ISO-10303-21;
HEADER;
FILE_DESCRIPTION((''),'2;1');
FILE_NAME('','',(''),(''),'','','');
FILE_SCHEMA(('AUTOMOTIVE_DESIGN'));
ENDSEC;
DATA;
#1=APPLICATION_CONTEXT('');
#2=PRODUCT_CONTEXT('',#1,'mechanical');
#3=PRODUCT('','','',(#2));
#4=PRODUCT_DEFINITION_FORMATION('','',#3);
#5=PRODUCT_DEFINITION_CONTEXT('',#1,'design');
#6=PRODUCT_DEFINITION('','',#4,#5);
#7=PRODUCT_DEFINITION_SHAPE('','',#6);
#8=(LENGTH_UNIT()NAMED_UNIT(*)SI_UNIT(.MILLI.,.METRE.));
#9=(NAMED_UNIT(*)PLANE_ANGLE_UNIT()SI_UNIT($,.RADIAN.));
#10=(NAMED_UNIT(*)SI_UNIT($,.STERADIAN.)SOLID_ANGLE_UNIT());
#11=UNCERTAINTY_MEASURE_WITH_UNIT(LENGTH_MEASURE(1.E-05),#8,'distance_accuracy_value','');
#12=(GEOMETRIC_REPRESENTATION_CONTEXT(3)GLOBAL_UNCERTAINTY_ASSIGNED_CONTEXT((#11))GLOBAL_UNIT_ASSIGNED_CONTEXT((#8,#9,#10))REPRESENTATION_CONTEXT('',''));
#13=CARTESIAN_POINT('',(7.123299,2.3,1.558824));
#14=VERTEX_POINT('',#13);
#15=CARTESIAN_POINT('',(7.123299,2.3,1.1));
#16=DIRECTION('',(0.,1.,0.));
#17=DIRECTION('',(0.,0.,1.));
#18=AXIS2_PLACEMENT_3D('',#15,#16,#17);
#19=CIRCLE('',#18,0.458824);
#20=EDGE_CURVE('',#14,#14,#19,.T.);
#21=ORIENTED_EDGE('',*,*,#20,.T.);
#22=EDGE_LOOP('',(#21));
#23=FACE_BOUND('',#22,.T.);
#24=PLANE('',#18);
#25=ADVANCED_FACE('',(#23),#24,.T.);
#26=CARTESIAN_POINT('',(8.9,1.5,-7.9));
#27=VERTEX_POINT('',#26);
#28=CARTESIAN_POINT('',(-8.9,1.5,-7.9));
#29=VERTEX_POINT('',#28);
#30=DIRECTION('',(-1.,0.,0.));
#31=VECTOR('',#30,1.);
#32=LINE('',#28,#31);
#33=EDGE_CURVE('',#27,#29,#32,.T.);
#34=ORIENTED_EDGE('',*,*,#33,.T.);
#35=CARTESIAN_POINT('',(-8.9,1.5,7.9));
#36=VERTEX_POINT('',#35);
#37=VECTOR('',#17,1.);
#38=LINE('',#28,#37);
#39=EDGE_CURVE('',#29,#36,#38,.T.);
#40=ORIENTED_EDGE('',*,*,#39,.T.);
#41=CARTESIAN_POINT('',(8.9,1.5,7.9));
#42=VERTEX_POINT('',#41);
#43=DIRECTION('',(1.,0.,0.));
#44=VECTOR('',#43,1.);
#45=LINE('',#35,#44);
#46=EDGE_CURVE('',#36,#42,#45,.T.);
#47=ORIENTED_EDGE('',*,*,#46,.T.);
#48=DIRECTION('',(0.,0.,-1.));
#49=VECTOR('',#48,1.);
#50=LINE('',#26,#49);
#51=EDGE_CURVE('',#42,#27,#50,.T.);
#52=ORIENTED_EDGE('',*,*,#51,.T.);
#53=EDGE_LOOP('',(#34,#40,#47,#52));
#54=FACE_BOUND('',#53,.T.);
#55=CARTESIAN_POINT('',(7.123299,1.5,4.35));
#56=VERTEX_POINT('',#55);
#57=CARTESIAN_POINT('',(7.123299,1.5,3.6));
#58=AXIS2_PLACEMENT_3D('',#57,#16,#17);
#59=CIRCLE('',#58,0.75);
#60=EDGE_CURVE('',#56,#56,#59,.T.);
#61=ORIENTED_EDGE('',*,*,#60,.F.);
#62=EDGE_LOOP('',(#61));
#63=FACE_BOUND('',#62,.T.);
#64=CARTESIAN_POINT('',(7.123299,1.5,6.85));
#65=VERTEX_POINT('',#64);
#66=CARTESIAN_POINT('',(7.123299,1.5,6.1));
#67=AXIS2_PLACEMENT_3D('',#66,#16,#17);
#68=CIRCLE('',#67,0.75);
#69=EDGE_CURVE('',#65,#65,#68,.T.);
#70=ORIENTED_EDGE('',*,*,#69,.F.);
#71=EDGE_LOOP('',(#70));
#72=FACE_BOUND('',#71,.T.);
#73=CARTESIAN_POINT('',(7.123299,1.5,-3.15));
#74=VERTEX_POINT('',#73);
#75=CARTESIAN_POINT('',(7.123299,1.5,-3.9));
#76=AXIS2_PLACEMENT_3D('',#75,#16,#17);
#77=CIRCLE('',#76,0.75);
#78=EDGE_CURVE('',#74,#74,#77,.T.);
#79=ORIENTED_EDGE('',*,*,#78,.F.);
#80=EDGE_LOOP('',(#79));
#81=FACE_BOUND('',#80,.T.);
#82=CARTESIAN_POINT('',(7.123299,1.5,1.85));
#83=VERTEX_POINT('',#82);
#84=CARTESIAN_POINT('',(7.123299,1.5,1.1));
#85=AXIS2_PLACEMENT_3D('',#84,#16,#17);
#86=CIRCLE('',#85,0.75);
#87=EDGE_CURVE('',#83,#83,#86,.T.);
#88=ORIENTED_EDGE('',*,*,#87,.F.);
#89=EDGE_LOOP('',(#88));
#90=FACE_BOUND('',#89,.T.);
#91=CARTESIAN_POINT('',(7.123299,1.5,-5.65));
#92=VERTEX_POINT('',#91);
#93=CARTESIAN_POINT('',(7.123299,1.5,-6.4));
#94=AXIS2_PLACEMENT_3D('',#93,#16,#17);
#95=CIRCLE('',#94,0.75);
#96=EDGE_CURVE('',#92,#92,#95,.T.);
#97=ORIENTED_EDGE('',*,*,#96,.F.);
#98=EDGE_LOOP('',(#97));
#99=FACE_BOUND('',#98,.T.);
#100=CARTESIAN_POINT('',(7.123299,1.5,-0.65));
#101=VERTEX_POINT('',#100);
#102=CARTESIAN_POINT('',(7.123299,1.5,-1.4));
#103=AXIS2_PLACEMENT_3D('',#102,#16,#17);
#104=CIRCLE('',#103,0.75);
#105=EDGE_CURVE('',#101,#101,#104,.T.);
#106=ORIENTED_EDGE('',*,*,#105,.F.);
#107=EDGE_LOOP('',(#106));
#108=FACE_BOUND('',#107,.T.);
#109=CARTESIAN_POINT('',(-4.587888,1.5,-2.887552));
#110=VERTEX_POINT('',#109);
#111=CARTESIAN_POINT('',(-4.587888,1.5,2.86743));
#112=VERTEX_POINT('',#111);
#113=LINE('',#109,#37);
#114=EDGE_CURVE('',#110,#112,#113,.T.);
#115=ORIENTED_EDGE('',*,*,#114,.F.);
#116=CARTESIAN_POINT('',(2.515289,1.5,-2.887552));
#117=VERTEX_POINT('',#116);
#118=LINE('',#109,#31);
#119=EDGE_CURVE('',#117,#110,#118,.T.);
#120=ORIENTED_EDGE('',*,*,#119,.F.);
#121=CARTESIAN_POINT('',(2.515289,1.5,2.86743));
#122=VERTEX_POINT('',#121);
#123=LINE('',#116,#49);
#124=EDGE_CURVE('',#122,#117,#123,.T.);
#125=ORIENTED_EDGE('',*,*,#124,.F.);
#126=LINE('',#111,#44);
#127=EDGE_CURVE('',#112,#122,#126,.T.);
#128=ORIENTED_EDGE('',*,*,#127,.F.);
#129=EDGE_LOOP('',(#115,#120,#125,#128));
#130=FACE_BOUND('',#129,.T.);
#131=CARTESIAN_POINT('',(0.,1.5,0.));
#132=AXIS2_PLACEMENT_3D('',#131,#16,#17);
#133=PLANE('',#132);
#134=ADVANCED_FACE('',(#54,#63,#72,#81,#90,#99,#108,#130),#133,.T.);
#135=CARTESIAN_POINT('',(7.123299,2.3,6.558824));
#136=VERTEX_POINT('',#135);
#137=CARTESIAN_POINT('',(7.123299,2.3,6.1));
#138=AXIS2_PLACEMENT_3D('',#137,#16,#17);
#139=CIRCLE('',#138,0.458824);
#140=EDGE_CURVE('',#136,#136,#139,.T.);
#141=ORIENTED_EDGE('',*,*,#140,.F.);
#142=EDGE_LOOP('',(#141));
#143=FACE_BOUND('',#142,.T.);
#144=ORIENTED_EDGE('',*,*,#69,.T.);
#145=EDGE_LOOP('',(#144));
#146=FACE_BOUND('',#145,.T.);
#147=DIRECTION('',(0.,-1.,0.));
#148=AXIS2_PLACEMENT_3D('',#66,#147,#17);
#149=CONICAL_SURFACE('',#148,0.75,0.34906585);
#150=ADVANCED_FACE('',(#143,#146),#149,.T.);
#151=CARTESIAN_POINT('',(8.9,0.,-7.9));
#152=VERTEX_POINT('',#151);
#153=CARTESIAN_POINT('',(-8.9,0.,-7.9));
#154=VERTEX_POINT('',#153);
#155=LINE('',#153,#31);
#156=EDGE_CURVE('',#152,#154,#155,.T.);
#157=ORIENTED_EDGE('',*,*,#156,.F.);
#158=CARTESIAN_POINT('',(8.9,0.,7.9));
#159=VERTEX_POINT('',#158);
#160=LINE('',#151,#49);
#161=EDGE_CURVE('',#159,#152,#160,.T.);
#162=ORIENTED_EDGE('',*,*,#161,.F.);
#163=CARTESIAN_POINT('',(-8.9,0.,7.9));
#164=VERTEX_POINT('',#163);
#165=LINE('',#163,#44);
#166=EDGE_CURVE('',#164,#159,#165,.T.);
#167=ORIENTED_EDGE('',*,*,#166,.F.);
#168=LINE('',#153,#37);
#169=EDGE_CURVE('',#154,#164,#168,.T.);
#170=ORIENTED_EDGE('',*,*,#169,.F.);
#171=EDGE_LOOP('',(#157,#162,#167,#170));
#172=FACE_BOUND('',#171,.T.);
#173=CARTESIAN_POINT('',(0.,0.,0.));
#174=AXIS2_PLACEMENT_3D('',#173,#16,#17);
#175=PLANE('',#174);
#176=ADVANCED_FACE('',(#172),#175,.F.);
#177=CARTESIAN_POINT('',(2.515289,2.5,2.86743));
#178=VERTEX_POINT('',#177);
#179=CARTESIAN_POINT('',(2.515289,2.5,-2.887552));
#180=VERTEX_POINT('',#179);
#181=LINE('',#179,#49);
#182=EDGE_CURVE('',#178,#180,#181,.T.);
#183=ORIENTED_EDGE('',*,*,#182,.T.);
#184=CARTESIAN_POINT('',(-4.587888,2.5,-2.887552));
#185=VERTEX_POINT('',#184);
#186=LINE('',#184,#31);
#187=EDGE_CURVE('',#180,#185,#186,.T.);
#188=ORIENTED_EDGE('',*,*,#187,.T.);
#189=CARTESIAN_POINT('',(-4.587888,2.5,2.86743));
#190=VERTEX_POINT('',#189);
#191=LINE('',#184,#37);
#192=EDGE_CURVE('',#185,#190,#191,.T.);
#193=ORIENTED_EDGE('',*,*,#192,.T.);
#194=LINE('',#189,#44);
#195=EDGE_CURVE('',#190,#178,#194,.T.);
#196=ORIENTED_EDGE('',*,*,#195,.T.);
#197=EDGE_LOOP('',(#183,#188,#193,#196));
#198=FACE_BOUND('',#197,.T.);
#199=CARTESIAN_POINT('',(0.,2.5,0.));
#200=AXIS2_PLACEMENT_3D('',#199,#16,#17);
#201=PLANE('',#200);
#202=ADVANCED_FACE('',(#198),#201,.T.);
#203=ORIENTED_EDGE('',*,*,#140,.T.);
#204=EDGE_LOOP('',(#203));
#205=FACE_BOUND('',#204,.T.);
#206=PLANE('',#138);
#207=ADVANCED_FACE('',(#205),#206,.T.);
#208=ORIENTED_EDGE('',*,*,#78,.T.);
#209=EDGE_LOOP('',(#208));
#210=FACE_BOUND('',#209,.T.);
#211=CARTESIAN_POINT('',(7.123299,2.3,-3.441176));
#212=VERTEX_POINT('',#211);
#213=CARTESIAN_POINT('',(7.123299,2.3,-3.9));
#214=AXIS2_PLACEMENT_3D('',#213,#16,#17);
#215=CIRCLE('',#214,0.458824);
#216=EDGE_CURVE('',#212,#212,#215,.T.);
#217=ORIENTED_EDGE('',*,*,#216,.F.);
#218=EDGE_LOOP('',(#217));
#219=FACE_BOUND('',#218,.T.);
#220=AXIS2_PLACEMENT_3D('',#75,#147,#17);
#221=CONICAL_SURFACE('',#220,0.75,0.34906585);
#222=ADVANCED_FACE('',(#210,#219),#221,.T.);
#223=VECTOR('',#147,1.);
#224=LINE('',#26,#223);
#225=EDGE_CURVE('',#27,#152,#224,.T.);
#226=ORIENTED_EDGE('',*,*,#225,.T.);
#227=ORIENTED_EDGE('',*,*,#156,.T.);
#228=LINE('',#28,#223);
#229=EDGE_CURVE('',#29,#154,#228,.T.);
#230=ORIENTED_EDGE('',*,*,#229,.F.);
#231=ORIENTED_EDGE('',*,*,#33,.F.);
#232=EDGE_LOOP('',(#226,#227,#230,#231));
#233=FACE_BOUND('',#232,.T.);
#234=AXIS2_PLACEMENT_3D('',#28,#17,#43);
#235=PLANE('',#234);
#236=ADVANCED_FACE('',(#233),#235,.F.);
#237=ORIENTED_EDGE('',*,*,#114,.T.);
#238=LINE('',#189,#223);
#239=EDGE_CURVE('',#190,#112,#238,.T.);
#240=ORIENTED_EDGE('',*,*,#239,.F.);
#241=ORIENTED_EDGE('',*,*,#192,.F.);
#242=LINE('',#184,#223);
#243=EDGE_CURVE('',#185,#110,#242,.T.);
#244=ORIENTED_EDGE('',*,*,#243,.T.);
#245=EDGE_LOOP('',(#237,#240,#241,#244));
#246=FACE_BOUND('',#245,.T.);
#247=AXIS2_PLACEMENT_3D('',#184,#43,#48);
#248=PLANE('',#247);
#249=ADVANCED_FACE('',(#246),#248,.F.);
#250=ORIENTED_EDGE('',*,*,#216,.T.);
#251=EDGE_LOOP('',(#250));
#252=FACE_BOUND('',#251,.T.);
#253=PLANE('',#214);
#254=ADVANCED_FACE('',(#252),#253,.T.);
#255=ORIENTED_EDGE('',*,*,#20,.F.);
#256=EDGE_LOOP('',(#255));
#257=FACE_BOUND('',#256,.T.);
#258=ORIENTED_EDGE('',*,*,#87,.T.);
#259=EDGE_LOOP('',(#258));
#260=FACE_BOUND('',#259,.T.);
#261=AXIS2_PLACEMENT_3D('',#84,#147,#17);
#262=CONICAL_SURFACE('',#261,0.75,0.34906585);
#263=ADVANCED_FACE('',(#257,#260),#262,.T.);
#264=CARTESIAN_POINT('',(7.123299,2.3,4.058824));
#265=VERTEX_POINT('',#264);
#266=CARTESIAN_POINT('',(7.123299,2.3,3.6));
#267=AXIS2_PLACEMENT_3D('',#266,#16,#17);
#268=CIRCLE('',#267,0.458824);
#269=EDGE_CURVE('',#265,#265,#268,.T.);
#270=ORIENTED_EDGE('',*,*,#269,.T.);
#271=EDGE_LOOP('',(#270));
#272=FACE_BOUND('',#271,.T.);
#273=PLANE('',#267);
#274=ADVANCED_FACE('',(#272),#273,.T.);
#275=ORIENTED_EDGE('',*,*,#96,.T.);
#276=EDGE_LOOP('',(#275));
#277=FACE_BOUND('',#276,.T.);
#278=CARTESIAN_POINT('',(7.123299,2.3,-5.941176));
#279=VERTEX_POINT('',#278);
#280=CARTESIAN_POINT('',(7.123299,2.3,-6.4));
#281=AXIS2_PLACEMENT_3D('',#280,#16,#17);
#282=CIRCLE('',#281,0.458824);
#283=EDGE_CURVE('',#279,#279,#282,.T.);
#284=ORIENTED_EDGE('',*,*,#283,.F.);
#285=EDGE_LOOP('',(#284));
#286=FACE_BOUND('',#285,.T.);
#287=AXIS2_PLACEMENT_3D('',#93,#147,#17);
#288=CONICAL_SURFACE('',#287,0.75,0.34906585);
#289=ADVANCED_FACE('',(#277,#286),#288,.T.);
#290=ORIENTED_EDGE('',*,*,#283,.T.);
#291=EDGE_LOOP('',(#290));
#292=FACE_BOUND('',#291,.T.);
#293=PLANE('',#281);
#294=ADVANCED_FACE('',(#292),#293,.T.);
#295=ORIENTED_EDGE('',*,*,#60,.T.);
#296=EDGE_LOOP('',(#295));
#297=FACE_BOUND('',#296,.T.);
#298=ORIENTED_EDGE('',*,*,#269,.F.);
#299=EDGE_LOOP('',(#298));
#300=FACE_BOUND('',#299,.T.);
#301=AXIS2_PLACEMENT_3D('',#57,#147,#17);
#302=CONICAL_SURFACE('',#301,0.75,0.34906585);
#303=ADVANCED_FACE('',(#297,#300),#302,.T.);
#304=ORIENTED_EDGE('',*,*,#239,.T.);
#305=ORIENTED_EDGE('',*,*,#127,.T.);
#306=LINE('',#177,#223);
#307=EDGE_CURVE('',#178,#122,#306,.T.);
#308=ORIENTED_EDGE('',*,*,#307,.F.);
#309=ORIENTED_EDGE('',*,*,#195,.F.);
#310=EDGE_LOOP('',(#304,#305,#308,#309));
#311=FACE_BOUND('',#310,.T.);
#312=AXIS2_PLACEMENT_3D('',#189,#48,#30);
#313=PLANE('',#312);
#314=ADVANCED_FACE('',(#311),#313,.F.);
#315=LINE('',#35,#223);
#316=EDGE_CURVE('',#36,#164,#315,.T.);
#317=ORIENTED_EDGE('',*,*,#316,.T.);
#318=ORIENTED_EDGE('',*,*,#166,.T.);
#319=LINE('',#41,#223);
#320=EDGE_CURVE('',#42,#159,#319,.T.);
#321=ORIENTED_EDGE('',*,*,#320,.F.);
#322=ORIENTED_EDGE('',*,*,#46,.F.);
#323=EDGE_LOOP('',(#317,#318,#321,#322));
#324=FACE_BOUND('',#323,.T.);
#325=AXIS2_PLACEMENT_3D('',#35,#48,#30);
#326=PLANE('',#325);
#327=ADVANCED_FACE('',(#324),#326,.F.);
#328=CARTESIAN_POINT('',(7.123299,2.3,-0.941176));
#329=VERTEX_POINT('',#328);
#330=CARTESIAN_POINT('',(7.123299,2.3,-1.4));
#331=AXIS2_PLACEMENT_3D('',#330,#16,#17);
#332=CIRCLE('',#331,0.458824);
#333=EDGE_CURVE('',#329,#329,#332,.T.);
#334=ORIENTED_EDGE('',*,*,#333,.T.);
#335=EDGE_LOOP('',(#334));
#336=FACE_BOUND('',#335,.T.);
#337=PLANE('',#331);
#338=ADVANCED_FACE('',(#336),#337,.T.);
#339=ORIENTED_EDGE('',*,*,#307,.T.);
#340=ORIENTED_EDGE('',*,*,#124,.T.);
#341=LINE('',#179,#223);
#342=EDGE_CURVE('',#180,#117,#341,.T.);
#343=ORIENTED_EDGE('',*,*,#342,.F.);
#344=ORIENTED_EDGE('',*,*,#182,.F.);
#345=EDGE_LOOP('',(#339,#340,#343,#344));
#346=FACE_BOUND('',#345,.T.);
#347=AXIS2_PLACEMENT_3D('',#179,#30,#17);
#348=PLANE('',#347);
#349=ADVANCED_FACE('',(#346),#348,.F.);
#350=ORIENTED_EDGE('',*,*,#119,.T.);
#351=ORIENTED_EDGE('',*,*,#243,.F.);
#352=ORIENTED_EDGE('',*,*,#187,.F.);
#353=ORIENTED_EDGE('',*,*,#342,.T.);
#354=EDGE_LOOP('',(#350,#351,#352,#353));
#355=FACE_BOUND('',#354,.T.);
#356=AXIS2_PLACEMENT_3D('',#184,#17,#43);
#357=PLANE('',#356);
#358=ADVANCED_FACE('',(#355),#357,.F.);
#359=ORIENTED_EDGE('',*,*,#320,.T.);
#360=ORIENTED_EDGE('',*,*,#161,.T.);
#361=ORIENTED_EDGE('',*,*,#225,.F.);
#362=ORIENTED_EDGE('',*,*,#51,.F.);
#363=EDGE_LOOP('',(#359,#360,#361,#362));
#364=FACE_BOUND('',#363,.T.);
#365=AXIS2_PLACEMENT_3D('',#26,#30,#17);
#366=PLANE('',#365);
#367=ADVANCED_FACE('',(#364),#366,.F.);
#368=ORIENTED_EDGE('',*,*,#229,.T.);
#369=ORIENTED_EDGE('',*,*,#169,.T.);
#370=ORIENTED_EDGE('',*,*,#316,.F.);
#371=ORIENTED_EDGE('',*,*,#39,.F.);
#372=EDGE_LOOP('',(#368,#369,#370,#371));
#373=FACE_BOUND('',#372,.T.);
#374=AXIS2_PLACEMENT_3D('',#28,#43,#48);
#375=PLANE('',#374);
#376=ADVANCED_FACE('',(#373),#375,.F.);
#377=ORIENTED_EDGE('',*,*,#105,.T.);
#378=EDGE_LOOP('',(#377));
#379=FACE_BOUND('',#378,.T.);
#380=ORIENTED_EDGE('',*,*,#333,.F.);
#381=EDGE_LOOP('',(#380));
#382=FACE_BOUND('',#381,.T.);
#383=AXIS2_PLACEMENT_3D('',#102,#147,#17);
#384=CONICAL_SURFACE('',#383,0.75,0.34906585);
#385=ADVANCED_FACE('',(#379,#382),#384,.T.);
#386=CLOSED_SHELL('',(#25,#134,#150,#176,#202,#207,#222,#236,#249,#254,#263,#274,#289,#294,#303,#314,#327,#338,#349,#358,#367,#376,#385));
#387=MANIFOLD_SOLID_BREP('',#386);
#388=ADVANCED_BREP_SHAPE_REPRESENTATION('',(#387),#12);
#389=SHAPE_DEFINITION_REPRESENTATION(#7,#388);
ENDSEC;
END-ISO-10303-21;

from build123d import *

# Parameters (mm, degrees)
SKETCH1_W                     = 17.8
SKETCH1_H                     = 15.8
BOSS_EXTRUDE1_DEPTH           = 1.5
SKETCH2_W                     = 7.103176806
SKETCH2_H                     = 5.754981775
BOSS_EXTRUDE2_DEPTH           = 1
SKETCH3_R                     = 0.75
BOSS_EXTRUDE3_DEPTH           = 0.8
BOSS_EXTRUDE3_DRAFT           = 20
BOSS_EXTRUDE3_PROFILE_2_DEPTH = 0.8
BOSS_EXTRUDE3_PROFILE_2_DRAFT = 20
BOSS_EXTRUDE3_PROFILE_3_DEPTH = 0.8
BOSS_EXTRUDE3_PROFILE_3_DRAFT = 20
BOSS_EXTRUDE3_PROFILE_4_DEPTH = 0.8
BOSS_EXTRUDE3_PROFILE_4_DRAFT = 20
BOSS_EXTRUDE3_PROFILE_5_DEPTH = 0.8
BOSS_EXTRUDE3_PROFILE_5_DRAFT = 20
BOSS_EXTRUDE3_PROFILE_6_DEPTH = 0.8
BOSS_EXTRUDE3_PROFILE_6_DRAFT = 20


with BuildPart() as part:
    # Sketch1 → Boss-Extrude1 (new body)
    with BuildSketch(Plane(origin=(0, 0, 0), x_dir=(1, 0, 0), z_dir=(0, 1, 0))):
        Rectangle(SKETCH1_W, SKETCH1_H)
    extrude(amount=BOSS_EXTRUDE1_DEPTH)

    # Sketch2 → Boss-Extrude2 (add)
    with BuildSketch(Plane(origin=(0, 1.5, 0), x_dir=(1, 0, 0), z_dir=(0, 1, 0))):
        with Locations((-1.036299166, 0.010061156)):
            Rectangle(SKETCH2_W, SKETCH2_H)
    extrude(amount=BOSS_EXTRUDE2_DEPTH)


with BuildPart() as boss_extrude3_tool:
    # Sketch3 → Boss-Extrude3 (with draft: the straight prism first)
    with BuildSketch(Plane(origin=(0, 1.5, 0), x_dir=(1, 0, 0), z_dir=(0, 1, 0))):
        with Locations((7.12329912, 6.4)):
            Circle(SKETCH3_R)
    extrude(amount=BOSS_EXTRUDE3_DEPTH)
    # Boss-Extrude3: the draft: its side faces are tilted about the plane it starts from
    boss_extrude3_sides = [boss_extrude3_tool.faces().sort_by_distance(p)[0] for p in [
        (6.37329912, 1.9, -6.4),
    ]]
    draft(boss_extrude3_sides, Plane(origin=(0, 1.5, 0), x_dir=(1, 0, 0), z_dir=(0, 1, 0)), BOSS_EXTRUDE3_DRAFT)


with BuildPart() as part_1:
    add(part.part)

    # Boss-Extrude3: add boss_extrude3_tool
    add(boss_extrude3_tool.part)


with BuildPart() as boss_extrude3_profile_2_tool:
    # Sketch3 → Boss-Extrude3 profile 2 (with draft: the straight prism first)
    with BuildSketch(Plane(origin=(0, 1.5, 0), x_dir=(1, 0, 0), z_dir=(0, 1, 0))):
        with Locations((7.12329912, 3.9)):
            Circle(SKETCH3_R)
    extrude(amount=BOSS_EXTRUDE3_PROFILE_2_DEPTH)
    # Boss-Extrude3 profile 2: the draft: its side faces are tilted about the plane it starts from
    boss_extrude3_profile_2_sides = [boss_extrude3_profile_2_tool.faces().sort_by_distance(p)[0] for p in [
        (6.37329912, 1.9, -3.9),
    ]]
    draft(boss_extrude3_profile_2_sides, Plane(origin=(0, 1.5, 0), x_dir=(1, 0, 0), z_dir=(0, 1, 0)), BOSS_EXTRUDE3_PROFILE_2_DRAFT)


with BuildPart() as part_2:
    add(part_1.part)

    # Boss-Extrude3 profile 2: add boss_extrude3_profile_2_tool
    add(boss_extrude3_profile_2_tool.part)


with BuildPart() as boss_extrude3_profile_3_tool:
    # Sketch3 → Boss-Extrude3 profile 3 (with draft: the straight prism first)
    with BuildSketch(Plane(origin=(0, 1.5, 0), x_dir=(1, 0, 0), z_dir=(0, 1, 0))):
        with Locations((7.12329912, 1.4)):
            Circle(SKETCH3_R)
    extrude(amount=BOSS_EXTRUDE3_PROFILE_3_DEPTH)
    # Boss-Extrude3 profile 3: the draft: its side faces are tilted about the plane it starts from
    boss_extrude3_profile_3_sides = [boss_extrude3_profile_3_tool.faces().sort_by_distance(p)[0] for p in [
        (6.37329912, 1.9, -1.4),
    ]]
    draft(boss_extrude3_profile_3_sides, Plane(origin=(0, 1.5, 0), x_dir=(1, 0, 0), z_dir=(0, 1, 0)), BOSS_EXTRUDE3_PROFILE_3_DRAFT)


with BuildPart() as part_3:
    add(part_2.part)

    # Boss-Extrude3 profile 3: add boss_extrude3_profile_3_tool
    add(boss_extrude3_profile_3_tool.part)


with BuildPart() as boss_extrude3_profile_4_tool:
    # Sketch3 → Boss-Extrude3 profile 4 (with draft: the straight prism first)
    with BuildSketch(Plane(origin=(0, 1.5, 0), x_dir=(1, 0, 0), z_dir=(0, 1, 0))):
        with Locations((7.12329912, -1.1)):
            Circle(SKETCH3_R)
    extrude(amount=BOSS_EXTRUDE3_PROFILE_4_DEPTH)
    # Boss-Extrude3 profile 4: the draft: its side faces are tilted about the plane it starts from
    boss_extrude3_profile_4_sides = [boss_extrude3_profile_4_tool.faces().sort_by_distance(p)[0] for p in [
        (6.37329912, 1.9, 1.1),
    ]]
    draft(boss_extrude3_profile_4_sides, Plane(origin=(0, 1.5, 0), x_dir=(1, 0, 0), z_dir=(0, 1, 0)), BOSS_EXTRUDE3_PROFILE_4_DRAFT)


with BuildPart() as part_4:
    add(part_3.part)

    # Boss-Extrude3 profile 4: add boss_extrude3_profile_4_tool
    add(boss_extrude3_profile_4_tool.part)


with BuildPart() as boss_extrude3_profile_5_tool:
    # Sketch3 → Boss-Extrude3 profile 5 (with draft: the straight prism first)
    with BuildSketch(Plane(origin=(0, 1.5, 0), x_dir=(1, 0, 0), z_dir=(0, 1, 0))):
        with Locations((7.12329912, -3.6)):
            Circle(SKETCH3_R)
    extrude(amount=BOSS_EXTRUDE3_PROFILE_5_DEPTH)
    # Boss-Extrude3 profile 5: the draft: its side faces are tilted about the plane it starts from
    boss_extrude3_profile_5_sides = [boss_extrude3_profile_5_tool.faces().sort_by_distance(p)[0] for p in [
        (6.37329912, 1.9, 3.6),
    ]]
    draft(boss_extrude3_profile_5_sides, Plane(origin=(0, 1.5, 0), x_dir=(1, 0, 0), z_dir=(0, 1, 0)), BOSS_EXTRUDE3_PROFILE_5_DRAFT)


with BuildPart() as part_5:
    add(part_4.part)

    # Boss-Extrude3 profile 5: add boss_extrude3_profile_5_tool
    add(boss_extrude3_profile_5_tool.part)


with BuildPart() as boss_extrude3_profile_6_tool:
    # Sketch3 → Boss-Extrude3 profile 6 (with draft: the straight prism first)
    with BuildSketch(Plane(origin=(0, 1.5, 0), x_dir=(1, 0, 0), z_dir=(0, 1, 0))):
        with Locations((7.12329912, -6.1)):
            Circle(SKETCH3_R)
    extrude(amount=BOSS_EXTRUDE3_PROFILE_6_DEPTH)
    # Boss-Extrude3 profile 6: the draft: its side faces are tilted about the plane it starts from
    boss_extrude3_profile_6_sides = [boss_extrude3_profile_6_tool.faces().sort_by_distance(p)[0] for p in [
        (6.37329912, 1.9, 6.1),
    ]]
    draft(boss_extrude3_profile_6_sides, Plane(origin=(0, 1.5, 0), x_dir=(1, 0, 0), z_dir=(0, 1, 0)), BOSS_EXTRUDE3_PROFILE_6_DRAFT)


with BuildPart() as part_6:
    add(part_5.part)

    # Boss-Extrude3 profile 6: add boss_extrude3_profile_6_tool
    add(boss_extrude3_profile_6_tool.part)


solid = part_6.part
